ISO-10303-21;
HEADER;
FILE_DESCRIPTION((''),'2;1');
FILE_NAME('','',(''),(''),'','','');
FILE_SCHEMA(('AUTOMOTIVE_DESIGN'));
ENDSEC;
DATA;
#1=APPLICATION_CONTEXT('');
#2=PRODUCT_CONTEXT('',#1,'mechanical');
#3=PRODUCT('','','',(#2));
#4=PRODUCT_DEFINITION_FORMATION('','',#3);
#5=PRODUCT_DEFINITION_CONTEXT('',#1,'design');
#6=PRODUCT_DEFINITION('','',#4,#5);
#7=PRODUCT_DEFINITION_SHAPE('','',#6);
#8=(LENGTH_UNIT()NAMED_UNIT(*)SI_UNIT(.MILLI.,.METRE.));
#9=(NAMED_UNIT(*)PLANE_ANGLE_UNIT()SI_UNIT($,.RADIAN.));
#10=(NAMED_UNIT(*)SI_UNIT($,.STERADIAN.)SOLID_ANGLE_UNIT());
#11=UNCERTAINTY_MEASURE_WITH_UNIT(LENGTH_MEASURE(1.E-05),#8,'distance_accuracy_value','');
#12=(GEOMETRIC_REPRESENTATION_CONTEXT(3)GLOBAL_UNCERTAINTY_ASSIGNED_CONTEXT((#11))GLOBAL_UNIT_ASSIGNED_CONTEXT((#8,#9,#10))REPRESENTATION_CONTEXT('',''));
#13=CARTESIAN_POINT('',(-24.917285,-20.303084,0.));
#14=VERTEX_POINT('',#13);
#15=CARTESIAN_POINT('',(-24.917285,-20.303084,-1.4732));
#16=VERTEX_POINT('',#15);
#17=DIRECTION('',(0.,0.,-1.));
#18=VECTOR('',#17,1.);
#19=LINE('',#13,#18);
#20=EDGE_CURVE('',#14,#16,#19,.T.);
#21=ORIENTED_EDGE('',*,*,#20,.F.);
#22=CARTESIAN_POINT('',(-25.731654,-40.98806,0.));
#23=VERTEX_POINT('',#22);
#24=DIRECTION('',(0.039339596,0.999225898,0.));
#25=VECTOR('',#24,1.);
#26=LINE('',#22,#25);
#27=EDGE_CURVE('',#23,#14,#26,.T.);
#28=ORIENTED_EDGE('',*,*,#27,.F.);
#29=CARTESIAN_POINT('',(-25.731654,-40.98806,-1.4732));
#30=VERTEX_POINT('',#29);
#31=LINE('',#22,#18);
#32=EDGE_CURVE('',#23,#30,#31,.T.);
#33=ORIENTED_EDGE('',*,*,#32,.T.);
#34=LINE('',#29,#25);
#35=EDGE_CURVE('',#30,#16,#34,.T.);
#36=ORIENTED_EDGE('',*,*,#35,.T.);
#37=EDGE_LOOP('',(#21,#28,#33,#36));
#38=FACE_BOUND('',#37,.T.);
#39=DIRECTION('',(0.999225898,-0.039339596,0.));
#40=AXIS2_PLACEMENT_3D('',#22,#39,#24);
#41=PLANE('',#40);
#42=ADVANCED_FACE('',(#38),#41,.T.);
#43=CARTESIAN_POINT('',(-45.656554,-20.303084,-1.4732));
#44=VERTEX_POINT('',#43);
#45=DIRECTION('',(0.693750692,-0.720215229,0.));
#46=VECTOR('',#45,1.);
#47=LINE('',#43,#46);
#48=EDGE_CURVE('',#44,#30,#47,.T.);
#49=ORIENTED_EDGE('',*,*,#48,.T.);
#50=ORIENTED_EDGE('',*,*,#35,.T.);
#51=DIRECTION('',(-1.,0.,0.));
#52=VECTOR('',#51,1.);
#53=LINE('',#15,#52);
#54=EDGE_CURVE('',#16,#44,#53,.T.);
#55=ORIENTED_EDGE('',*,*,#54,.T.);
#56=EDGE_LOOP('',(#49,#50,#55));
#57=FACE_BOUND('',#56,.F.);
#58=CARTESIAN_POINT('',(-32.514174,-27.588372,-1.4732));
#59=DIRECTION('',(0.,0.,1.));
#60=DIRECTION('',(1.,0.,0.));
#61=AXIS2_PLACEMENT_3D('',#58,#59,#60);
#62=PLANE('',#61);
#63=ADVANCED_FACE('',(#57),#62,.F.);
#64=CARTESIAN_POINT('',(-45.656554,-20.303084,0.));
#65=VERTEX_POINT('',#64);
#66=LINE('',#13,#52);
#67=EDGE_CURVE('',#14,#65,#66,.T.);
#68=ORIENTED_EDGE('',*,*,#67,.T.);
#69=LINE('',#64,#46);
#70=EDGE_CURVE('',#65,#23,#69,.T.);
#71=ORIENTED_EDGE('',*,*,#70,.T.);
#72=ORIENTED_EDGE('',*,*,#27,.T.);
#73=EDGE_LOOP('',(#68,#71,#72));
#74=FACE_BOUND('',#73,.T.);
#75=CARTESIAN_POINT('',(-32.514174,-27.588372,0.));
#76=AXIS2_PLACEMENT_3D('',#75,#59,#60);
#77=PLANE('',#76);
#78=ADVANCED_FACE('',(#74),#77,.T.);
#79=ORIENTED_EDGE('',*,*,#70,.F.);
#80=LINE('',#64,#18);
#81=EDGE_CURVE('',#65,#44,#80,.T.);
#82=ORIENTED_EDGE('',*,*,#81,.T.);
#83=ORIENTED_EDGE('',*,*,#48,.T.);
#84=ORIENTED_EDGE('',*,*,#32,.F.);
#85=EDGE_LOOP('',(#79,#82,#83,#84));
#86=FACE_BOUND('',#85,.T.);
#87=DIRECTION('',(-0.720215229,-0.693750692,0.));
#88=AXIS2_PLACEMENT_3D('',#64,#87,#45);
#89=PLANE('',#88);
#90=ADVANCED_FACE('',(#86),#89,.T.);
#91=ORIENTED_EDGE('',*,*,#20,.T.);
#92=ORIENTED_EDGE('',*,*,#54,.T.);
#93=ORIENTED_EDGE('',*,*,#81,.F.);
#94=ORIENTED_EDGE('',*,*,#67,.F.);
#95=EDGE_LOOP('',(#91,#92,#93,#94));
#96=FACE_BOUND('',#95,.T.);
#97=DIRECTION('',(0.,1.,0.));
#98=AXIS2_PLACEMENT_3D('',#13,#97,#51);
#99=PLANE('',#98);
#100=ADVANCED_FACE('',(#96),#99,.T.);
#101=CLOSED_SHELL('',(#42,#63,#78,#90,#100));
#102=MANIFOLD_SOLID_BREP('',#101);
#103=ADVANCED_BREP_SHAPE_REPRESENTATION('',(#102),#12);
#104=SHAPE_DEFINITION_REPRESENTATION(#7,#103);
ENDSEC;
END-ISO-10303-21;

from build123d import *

# Parameters (mm, degrees)
F1_DEPTH = 1.4732


with BuildPart() as f1:
    # F0 (on Top) → F1 (new body)
    with BuildSketch(Plane.XY):
        Polygon((-45.656554, -20.303084), (-25.731654, -40.98806), (-24.917285, -20.303084), align=None)
    extrude(amount=-F1_DEPTH)


solid = f1.part
